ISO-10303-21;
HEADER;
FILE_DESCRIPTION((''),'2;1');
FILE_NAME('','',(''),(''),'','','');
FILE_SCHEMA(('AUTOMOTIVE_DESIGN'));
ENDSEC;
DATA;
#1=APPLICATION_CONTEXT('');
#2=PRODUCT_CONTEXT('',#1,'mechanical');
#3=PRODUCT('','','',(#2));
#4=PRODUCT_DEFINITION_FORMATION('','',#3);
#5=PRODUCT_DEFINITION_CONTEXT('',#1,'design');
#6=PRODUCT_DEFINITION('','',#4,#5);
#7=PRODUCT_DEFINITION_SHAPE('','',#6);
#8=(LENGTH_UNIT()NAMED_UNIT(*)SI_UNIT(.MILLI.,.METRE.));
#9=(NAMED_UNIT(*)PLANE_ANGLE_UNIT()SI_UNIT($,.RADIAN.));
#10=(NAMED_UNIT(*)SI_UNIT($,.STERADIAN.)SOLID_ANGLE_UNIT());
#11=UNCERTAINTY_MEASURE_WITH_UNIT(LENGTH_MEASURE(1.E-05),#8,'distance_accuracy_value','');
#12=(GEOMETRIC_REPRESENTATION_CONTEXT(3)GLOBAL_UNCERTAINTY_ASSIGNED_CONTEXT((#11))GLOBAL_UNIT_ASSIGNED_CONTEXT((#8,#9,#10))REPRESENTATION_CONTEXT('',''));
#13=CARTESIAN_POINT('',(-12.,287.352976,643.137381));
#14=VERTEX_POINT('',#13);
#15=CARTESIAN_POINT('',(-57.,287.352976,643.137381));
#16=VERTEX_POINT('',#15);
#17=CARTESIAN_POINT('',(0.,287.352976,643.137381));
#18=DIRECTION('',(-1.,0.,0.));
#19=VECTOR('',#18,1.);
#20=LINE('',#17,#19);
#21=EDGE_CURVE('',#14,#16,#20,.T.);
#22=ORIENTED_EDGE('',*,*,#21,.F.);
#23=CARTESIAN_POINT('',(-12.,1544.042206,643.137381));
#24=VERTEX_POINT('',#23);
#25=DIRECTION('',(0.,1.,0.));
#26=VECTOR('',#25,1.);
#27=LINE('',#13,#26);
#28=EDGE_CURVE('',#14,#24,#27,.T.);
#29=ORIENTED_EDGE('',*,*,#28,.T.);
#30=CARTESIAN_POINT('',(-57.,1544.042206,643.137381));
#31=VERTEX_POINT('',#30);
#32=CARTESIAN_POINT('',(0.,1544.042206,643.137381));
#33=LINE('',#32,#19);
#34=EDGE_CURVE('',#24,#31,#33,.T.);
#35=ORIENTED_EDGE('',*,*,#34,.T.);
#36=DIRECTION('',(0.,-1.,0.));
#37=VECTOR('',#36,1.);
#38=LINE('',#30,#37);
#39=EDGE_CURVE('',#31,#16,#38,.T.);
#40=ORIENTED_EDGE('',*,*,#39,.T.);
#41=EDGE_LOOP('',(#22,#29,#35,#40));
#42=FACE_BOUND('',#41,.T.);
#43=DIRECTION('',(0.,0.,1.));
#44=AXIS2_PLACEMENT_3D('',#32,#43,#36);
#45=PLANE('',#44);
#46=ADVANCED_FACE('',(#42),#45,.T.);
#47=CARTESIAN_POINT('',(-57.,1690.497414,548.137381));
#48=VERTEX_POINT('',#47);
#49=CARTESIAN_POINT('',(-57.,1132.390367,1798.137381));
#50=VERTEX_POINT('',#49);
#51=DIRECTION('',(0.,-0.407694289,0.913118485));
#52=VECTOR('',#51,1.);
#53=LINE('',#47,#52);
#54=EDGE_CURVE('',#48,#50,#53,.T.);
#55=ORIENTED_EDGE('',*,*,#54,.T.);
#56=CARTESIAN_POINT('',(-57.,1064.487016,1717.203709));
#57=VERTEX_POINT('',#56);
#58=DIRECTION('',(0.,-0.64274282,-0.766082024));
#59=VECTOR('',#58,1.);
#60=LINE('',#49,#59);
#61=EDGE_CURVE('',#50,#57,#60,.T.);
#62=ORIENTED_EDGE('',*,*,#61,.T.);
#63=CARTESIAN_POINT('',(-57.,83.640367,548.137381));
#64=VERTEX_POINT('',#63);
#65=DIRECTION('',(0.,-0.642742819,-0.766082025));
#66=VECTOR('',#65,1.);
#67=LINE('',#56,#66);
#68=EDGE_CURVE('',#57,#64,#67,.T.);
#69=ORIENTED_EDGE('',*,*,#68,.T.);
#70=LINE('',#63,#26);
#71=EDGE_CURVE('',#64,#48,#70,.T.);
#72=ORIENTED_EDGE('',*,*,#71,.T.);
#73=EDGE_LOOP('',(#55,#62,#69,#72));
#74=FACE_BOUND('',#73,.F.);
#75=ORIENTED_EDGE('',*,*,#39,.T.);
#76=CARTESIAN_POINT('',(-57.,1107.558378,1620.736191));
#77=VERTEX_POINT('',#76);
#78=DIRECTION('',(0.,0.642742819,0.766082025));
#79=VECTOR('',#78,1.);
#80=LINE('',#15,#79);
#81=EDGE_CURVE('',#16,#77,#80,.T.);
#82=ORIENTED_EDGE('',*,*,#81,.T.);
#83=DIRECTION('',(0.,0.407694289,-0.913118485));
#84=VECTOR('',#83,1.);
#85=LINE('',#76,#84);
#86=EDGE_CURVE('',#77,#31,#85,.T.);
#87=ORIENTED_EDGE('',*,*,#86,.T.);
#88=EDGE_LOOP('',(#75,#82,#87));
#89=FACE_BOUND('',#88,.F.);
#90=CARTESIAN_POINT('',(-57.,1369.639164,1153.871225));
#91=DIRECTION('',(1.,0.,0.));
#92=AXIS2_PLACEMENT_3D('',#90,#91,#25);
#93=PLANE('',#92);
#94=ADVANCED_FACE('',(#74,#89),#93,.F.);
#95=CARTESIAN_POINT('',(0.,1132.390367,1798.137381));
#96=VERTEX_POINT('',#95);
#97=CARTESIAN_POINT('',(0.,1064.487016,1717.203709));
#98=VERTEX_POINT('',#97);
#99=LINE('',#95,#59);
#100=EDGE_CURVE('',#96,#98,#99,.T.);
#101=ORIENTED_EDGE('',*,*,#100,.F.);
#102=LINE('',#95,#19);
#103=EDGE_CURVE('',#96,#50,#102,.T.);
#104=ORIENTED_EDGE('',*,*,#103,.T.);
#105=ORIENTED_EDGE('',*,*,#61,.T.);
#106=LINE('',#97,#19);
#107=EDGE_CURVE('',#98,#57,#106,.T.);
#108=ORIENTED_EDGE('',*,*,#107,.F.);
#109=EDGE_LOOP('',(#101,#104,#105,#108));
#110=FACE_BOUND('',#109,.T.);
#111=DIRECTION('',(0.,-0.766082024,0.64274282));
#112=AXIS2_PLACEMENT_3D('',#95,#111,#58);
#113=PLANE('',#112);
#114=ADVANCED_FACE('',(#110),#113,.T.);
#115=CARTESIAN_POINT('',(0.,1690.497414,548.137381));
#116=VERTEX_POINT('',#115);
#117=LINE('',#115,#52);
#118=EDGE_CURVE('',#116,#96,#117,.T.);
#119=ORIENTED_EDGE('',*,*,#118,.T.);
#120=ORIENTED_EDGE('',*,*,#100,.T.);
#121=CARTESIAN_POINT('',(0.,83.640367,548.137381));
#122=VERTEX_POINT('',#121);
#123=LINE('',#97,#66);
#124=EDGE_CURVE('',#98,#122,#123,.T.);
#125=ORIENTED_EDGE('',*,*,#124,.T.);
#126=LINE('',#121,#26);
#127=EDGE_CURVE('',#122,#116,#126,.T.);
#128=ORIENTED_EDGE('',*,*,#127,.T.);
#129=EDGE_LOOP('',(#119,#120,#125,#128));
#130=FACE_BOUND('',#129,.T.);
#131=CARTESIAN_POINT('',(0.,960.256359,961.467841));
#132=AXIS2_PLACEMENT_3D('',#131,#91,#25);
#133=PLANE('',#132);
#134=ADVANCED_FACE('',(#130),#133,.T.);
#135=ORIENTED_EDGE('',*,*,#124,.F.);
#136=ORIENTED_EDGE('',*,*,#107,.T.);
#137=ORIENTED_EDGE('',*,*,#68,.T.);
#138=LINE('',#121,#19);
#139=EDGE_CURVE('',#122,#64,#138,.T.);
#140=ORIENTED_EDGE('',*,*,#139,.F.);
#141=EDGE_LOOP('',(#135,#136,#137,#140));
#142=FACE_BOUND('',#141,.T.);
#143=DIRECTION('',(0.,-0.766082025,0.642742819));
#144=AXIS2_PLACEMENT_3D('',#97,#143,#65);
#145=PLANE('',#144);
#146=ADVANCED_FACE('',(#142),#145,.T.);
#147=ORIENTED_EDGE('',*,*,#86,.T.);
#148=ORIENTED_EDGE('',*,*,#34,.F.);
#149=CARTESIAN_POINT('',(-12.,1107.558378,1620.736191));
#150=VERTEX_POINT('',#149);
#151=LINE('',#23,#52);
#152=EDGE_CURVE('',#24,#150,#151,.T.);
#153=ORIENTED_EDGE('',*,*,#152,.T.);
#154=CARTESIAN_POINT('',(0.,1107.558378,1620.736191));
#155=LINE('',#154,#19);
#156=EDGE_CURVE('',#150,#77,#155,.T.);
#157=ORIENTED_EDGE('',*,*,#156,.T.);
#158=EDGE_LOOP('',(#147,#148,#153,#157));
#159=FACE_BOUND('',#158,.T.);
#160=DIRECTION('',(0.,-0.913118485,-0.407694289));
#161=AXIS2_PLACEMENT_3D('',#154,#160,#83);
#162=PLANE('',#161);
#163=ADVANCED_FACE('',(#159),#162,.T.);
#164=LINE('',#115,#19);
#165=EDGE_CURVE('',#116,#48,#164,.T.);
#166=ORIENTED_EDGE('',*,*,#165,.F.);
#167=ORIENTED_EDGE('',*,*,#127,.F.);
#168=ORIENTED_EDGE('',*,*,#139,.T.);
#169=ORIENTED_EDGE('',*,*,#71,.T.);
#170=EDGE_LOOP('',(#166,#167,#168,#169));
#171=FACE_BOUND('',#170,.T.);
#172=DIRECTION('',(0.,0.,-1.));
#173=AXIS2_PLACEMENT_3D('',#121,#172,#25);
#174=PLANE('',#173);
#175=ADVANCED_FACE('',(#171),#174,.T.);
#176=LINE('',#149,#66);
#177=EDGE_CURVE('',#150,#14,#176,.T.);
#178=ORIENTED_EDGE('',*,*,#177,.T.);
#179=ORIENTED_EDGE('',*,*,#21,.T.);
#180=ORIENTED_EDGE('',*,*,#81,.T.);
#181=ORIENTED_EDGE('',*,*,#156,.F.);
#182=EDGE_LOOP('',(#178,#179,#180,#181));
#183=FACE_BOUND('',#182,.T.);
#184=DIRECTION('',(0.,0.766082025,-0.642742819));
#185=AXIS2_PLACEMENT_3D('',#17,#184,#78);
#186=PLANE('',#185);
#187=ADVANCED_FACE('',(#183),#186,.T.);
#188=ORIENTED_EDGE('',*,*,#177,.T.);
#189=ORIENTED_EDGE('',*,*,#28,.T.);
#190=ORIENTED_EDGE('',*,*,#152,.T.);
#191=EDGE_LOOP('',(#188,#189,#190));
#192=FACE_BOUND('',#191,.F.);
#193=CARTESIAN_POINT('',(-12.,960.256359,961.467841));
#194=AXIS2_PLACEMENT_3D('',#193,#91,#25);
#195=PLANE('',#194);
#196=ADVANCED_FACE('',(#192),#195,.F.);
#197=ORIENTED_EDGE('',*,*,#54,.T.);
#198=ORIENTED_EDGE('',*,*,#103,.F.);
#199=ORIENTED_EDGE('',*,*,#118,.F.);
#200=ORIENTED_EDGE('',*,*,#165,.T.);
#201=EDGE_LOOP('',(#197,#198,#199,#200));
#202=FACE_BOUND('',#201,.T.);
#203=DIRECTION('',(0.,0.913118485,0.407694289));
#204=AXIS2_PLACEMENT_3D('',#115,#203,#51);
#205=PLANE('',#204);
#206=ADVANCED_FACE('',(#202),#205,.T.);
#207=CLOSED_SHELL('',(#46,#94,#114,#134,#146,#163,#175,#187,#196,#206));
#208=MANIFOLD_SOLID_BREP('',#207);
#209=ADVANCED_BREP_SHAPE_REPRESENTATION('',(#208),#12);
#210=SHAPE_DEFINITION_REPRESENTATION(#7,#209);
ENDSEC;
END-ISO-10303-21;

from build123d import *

# Parameters (mm, degrees)
F1_DEPTH = 57
F2_DEPTH = 12


with BuildPart() as f1:
    # F0 (on Right) → F1 (new body)
    with BuildSketch(Plane.YZ):
        Polygon((1107.558378, 1620.736191), (1544.042206, 643.137381), (1586.458342, 548.137381), (1690.497414, 548.137381), (1132.390367, 1798.137381), (1064.487016, 1717.203709), align=None)
        Polygon((207.647976, 548.137381), (287.352976, 643.137381), (1107.558378, 1620.736191), (1064.487016, 1717.203709), (83.640367, 548.137381), align=None)
        Polygon((1586.458342, 548.137381), (1544.042206, 643.137381), (287.352976, 643.137381), (207.647976, 548.137381), align=None)
    extrude(amount=-F1_DEPTH)

    # F0 (on Right) → F2 (join)
    with BuildSketch(Plane.YZ):
        Polygon((287.352976, 643.137381), (1544.042206, 643.137381), (1107.558378, 1620.736191), align=None)
    extrude(amount=-F2_DEPTH)


solid = f1.part
